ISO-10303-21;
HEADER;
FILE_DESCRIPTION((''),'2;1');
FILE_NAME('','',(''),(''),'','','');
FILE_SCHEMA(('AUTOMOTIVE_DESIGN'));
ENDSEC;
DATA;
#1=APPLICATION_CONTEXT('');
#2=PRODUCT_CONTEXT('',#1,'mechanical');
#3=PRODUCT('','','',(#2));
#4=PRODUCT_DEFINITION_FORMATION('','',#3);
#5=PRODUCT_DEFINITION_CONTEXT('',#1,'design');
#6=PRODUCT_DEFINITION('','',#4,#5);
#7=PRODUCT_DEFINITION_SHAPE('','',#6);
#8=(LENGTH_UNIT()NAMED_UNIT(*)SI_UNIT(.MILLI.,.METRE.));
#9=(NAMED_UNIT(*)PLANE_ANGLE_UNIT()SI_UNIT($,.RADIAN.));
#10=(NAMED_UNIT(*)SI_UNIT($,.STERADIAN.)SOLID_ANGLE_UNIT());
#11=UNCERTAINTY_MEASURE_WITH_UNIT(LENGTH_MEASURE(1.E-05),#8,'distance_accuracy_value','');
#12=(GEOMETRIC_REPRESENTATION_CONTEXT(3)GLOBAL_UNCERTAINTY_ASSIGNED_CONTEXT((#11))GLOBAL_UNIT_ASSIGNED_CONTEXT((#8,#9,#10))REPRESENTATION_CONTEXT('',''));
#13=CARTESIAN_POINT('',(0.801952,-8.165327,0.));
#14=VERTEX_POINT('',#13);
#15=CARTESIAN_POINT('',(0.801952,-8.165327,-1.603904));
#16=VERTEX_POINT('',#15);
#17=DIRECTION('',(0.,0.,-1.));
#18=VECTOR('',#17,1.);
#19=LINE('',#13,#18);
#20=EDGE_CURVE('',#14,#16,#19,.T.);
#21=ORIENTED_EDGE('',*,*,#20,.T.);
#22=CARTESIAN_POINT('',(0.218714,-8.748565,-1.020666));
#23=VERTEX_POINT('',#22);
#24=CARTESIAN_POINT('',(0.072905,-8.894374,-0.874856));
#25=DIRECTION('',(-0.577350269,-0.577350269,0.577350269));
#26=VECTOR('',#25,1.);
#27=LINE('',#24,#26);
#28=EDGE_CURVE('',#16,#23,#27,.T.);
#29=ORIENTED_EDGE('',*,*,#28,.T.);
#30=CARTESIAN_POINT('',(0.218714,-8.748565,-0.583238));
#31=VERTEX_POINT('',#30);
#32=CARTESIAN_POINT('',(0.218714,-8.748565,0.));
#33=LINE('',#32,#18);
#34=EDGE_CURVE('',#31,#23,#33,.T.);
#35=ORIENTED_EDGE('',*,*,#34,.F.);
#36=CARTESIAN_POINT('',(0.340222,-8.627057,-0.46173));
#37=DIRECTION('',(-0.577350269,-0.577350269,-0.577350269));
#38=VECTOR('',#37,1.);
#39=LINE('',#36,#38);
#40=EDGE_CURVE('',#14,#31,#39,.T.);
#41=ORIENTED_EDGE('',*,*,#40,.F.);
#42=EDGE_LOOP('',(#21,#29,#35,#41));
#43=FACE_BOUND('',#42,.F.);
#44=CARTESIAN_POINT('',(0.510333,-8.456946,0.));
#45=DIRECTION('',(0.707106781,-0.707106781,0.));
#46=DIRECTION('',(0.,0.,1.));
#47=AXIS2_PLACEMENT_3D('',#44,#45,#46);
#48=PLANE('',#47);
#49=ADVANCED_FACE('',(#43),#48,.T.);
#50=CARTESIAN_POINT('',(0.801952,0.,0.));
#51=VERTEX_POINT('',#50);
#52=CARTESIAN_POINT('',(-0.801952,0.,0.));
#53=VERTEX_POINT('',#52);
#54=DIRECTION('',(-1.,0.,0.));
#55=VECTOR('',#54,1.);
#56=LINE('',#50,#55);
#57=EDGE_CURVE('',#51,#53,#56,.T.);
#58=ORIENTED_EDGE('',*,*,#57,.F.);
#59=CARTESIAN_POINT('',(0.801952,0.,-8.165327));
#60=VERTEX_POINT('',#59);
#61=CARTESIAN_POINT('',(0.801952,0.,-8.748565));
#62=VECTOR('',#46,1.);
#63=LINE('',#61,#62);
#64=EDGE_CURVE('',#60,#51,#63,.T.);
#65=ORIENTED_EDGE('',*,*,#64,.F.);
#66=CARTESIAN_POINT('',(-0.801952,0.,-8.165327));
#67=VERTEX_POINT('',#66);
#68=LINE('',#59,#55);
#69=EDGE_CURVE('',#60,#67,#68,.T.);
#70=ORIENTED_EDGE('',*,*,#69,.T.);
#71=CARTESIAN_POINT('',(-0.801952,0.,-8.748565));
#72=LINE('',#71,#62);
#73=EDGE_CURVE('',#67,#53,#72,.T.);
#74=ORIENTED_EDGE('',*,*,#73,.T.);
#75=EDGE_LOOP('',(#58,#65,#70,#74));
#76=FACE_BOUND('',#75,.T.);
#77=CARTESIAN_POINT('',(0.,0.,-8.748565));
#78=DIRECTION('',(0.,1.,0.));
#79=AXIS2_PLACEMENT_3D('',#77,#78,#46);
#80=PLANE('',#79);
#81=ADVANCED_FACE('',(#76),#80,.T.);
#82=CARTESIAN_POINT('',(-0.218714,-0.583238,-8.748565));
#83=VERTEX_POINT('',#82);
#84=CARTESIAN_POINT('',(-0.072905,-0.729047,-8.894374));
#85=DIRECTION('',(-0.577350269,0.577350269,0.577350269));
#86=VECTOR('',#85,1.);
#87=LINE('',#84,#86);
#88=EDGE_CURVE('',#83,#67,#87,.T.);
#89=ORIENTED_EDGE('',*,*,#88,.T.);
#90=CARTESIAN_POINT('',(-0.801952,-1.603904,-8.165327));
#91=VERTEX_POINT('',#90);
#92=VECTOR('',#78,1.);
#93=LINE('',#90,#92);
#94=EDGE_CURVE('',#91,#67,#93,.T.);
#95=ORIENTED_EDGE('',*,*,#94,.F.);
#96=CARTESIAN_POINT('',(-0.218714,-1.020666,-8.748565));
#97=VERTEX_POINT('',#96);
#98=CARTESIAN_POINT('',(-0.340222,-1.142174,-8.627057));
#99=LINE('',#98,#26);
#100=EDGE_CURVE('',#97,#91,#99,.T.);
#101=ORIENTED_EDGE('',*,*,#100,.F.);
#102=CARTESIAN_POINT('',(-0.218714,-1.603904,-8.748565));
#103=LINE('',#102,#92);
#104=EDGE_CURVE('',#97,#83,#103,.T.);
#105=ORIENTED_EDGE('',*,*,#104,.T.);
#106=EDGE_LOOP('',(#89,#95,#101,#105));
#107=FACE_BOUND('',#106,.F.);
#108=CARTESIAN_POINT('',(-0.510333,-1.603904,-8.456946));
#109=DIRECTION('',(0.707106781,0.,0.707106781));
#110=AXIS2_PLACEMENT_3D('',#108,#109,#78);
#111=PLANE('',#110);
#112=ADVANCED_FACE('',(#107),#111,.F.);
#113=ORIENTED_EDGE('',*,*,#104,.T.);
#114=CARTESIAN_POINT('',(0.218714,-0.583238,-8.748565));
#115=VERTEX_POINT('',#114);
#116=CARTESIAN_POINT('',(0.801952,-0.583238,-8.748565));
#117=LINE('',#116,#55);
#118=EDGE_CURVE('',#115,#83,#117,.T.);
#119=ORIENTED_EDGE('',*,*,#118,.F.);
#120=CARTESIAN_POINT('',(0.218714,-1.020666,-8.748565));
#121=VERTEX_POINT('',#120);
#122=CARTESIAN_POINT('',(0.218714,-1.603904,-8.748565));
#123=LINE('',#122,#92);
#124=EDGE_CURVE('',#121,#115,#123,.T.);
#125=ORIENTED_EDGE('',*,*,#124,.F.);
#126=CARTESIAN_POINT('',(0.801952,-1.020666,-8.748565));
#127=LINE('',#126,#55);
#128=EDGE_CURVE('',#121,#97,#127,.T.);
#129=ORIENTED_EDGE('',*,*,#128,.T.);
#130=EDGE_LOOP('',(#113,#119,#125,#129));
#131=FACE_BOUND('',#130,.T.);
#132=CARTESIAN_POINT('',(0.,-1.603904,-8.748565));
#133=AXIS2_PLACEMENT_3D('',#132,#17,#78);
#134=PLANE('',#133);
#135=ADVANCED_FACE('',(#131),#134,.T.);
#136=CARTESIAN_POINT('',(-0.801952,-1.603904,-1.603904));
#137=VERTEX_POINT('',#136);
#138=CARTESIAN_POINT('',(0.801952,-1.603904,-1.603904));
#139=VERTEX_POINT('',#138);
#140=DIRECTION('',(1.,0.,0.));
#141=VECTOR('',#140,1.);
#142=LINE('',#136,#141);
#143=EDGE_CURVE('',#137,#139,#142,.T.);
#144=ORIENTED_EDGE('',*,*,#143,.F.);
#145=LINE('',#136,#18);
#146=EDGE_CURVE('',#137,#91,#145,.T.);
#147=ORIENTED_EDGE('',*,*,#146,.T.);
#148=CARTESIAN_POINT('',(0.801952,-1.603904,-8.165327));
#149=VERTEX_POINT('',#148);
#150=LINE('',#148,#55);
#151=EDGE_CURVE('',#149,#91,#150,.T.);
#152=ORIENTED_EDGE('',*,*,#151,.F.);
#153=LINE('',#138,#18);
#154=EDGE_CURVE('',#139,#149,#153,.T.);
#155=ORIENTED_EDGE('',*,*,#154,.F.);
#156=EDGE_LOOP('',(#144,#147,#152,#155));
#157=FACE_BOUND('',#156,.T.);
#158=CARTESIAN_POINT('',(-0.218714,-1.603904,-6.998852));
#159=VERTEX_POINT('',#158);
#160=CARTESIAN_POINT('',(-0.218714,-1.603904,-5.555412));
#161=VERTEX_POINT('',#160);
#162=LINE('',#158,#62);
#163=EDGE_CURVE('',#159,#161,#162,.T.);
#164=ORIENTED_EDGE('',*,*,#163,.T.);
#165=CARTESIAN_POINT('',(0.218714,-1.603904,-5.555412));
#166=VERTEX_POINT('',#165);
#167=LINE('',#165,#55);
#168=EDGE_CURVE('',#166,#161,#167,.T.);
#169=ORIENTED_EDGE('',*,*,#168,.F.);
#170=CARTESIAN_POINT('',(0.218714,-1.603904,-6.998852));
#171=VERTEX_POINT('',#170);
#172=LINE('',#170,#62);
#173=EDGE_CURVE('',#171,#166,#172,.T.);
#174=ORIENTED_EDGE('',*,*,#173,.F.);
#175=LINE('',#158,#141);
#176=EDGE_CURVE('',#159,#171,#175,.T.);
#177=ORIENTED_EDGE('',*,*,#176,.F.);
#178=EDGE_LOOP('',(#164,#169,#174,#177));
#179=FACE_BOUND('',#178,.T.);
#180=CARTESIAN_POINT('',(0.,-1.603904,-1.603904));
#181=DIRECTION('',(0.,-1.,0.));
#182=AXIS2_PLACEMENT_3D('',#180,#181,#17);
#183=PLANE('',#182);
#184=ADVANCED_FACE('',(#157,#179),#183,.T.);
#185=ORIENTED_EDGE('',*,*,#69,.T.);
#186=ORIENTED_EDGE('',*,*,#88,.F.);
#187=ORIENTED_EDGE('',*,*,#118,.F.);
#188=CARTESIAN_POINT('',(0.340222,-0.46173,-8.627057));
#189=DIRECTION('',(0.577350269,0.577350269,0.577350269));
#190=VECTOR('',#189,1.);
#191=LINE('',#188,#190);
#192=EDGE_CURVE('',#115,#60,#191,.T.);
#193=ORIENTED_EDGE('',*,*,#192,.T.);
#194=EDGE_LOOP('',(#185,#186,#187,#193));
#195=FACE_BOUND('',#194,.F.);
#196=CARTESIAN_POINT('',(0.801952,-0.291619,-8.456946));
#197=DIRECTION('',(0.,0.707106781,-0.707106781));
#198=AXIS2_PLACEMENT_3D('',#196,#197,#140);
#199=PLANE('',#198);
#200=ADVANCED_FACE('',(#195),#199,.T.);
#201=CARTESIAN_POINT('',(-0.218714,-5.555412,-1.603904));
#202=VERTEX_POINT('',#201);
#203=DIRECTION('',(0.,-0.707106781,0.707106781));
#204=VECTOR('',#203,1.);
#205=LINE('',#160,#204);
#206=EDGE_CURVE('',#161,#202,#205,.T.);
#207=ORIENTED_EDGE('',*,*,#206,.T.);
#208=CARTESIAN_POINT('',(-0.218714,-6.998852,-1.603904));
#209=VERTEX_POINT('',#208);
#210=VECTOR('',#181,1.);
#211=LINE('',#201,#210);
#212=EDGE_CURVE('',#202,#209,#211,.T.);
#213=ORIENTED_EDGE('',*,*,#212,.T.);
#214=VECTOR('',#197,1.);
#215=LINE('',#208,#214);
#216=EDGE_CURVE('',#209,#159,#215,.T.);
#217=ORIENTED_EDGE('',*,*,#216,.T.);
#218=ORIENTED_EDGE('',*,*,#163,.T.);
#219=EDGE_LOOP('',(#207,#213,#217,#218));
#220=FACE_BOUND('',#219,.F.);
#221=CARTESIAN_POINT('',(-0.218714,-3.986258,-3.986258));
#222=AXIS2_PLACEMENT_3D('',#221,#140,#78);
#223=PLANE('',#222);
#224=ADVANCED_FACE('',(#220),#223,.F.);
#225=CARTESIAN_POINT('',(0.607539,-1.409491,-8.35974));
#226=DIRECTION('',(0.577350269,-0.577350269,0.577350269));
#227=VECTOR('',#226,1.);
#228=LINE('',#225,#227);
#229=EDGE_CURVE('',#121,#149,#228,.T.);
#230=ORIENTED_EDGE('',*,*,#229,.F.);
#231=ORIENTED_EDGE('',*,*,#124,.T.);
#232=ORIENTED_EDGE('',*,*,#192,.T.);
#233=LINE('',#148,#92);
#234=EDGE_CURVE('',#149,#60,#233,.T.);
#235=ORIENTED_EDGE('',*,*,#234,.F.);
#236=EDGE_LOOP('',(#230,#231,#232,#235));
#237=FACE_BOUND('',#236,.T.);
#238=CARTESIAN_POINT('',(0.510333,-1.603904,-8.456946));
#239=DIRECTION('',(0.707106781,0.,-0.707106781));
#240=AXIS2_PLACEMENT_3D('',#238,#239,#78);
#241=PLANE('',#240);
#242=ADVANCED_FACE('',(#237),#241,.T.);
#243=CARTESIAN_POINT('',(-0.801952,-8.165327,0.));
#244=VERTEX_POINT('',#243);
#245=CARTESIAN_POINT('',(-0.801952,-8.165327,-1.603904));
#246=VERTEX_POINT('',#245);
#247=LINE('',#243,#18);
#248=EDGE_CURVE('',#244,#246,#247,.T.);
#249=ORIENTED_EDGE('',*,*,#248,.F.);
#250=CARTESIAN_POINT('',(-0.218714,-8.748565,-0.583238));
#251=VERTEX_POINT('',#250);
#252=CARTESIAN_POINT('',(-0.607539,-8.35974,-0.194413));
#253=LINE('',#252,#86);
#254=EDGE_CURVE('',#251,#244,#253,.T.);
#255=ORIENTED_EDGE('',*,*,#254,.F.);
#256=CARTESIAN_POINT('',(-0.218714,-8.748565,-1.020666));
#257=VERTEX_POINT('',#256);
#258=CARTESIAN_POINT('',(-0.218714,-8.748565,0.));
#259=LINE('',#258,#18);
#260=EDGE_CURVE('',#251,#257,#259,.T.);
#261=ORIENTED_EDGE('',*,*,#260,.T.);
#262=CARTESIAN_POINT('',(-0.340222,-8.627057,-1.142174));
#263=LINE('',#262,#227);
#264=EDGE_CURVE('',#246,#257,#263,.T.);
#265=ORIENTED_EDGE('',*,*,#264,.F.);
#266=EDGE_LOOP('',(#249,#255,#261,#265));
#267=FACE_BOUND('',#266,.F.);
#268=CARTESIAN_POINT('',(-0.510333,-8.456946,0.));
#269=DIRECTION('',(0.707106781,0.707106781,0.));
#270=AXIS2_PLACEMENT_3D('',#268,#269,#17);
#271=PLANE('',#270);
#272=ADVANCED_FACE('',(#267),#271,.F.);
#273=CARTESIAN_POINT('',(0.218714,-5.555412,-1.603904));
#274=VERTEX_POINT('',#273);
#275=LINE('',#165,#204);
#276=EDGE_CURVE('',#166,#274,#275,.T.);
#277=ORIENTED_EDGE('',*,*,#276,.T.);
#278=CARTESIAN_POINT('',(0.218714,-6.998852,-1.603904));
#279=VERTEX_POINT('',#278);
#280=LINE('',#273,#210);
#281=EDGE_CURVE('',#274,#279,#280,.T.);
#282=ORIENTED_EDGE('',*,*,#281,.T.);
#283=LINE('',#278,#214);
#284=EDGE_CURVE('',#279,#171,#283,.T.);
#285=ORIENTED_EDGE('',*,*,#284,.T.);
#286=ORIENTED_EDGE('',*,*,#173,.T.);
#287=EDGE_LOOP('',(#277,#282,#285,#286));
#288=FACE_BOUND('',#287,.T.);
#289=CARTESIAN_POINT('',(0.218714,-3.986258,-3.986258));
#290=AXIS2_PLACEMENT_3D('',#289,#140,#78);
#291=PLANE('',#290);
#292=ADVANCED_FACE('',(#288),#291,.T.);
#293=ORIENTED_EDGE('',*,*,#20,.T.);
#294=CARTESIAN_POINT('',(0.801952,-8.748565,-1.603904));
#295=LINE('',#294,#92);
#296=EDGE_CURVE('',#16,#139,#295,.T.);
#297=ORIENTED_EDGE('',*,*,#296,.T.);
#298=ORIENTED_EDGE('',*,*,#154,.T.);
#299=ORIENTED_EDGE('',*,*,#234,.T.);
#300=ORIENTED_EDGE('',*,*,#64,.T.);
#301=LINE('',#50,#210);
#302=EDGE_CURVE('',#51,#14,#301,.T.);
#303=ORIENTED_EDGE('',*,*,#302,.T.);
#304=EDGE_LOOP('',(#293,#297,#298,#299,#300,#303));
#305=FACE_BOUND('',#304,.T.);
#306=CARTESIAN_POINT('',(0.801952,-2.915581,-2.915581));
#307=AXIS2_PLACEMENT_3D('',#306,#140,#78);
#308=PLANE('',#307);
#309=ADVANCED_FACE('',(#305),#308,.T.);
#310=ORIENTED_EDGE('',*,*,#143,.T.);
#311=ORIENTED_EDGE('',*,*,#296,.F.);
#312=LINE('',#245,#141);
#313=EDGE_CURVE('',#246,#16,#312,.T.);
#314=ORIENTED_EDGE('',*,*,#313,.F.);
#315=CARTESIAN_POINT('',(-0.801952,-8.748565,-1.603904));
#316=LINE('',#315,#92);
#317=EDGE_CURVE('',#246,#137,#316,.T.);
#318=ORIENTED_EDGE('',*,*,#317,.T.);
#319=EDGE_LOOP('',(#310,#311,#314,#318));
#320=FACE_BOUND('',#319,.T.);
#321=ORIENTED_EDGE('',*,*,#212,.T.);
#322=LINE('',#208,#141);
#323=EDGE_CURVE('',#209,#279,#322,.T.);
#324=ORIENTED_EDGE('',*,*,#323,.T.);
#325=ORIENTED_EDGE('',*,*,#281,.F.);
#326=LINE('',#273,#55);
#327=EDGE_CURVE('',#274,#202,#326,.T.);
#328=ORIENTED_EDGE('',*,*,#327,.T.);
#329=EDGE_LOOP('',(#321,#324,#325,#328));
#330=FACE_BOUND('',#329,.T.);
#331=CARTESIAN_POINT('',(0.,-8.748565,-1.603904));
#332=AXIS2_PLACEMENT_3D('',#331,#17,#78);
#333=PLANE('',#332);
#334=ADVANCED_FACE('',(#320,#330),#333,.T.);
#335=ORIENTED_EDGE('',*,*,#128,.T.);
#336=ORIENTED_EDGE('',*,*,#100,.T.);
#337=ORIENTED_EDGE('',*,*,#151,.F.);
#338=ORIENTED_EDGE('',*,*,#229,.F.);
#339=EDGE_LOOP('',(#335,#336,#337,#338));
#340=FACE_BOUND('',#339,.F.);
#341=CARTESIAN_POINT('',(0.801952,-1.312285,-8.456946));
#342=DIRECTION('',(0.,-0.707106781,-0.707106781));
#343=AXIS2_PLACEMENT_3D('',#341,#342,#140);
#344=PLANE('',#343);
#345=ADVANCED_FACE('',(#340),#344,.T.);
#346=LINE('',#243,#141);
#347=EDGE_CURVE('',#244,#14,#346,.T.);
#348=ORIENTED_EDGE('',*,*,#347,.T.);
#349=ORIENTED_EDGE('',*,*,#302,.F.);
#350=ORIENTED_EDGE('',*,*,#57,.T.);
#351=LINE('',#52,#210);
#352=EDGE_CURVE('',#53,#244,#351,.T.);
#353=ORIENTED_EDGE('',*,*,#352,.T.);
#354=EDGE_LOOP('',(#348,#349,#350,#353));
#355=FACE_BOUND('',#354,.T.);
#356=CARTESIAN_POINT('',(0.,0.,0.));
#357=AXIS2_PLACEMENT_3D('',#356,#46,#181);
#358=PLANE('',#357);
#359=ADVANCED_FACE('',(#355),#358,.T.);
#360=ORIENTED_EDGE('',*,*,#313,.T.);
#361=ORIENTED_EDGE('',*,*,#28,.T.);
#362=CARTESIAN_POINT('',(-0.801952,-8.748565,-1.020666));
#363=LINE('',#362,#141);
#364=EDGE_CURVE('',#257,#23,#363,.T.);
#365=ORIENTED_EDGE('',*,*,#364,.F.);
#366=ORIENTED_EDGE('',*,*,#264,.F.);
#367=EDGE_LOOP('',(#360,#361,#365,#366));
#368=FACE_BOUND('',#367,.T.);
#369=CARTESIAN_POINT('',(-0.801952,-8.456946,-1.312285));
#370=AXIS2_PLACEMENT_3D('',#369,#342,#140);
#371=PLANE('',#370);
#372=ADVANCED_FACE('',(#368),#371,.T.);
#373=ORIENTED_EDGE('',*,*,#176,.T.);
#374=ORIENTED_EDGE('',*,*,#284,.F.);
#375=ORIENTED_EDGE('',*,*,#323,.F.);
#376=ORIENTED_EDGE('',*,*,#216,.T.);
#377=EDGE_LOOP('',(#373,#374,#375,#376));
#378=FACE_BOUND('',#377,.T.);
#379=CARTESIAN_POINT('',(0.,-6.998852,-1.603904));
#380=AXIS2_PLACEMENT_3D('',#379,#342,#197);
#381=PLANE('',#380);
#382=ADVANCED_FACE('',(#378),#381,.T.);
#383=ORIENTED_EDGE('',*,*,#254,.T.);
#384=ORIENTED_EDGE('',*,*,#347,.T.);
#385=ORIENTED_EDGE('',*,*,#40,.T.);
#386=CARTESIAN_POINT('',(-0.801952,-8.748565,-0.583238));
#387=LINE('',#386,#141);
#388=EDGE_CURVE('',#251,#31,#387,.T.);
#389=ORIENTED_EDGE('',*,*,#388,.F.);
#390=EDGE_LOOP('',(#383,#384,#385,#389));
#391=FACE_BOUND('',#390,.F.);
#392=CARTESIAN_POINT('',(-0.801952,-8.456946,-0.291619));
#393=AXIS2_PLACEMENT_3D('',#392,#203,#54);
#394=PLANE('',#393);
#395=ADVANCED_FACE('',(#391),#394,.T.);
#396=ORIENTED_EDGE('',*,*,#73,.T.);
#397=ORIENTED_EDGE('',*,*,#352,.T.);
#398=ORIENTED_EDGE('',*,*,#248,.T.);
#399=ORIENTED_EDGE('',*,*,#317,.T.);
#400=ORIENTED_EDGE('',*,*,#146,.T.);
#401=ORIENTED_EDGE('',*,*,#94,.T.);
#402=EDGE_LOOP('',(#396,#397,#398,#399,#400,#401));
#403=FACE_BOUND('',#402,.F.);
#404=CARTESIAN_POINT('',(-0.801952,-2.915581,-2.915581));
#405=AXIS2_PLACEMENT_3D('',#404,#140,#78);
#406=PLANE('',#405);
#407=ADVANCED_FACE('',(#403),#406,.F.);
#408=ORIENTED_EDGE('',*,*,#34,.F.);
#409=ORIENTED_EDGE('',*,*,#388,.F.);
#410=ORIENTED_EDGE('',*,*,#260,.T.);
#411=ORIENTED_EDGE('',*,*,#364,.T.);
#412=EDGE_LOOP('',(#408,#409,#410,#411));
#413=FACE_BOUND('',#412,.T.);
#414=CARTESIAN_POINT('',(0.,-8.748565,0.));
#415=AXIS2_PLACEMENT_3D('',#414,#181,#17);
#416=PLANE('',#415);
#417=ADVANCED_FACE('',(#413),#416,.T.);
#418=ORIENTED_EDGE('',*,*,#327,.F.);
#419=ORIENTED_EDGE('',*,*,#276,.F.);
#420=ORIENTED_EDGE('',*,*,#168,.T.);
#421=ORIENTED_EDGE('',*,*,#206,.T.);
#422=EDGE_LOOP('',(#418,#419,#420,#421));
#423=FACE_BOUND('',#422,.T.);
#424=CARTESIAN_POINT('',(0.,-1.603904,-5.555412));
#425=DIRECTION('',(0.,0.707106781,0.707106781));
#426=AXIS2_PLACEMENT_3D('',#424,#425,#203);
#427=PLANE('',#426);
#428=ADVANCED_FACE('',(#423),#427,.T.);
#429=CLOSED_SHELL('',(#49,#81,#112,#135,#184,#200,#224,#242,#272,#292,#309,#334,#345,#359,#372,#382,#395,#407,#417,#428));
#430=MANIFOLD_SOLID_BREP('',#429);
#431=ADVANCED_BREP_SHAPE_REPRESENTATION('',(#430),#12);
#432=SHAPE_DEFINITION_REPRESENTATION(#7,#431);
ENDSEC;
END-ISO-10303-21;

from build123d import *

# Parameters (mm, degrees)
F1_DEPTH = 69.85
F2_SIZE2 = 50.8
F2_SIZE  = 50.8
F4_DEPTH = 19.05
F5_SCALE = 0.0114810563


with BuildPart() as f1:
    # F0 (on Right) → F1 (new body, symmetric)
    with BuildSketch(Plane.YZ):
        Polygon((0, 0), (-762, 0), (-762, -139.7), (-139.7, -139.7), (-139.7, -762), (0, -762), align=None)
    extrude(amount=F1_DEPTH, both=True)

    # F2
    f2_edges = [f1.edges().sort_by_distance(p)[0] for p in [
        (0, -762, -139.7),
        (69.85, -69.85, -762),
        (0, -139.7, -762),
        (-69.85, -69.85, -762),
        (0, 0, -762),
        (-69.85, -762, -69.85),
        (0, -762, 0),
        (69.85, -762, -69.85),
    ]]
    chamfer(f2_edges, length=F2_SIZE, length2=F2_SIZE2)

    # F3 (on Right) → F4 (join, symmetric)
    with BuildSketch(Plane.YZ):
        Polygon((-483.876414305, -139.7), (-609.6, -139.7), (-139.7, -609.6), (-139.7, -483.876414305), align=None)
    extrude(amount=F4_DEPTH, both=True)


with BuildPart() as f1_1:
    # F5: moved
    add(f1.part.scale(F5_SCALE))


solid = f1_1.part
